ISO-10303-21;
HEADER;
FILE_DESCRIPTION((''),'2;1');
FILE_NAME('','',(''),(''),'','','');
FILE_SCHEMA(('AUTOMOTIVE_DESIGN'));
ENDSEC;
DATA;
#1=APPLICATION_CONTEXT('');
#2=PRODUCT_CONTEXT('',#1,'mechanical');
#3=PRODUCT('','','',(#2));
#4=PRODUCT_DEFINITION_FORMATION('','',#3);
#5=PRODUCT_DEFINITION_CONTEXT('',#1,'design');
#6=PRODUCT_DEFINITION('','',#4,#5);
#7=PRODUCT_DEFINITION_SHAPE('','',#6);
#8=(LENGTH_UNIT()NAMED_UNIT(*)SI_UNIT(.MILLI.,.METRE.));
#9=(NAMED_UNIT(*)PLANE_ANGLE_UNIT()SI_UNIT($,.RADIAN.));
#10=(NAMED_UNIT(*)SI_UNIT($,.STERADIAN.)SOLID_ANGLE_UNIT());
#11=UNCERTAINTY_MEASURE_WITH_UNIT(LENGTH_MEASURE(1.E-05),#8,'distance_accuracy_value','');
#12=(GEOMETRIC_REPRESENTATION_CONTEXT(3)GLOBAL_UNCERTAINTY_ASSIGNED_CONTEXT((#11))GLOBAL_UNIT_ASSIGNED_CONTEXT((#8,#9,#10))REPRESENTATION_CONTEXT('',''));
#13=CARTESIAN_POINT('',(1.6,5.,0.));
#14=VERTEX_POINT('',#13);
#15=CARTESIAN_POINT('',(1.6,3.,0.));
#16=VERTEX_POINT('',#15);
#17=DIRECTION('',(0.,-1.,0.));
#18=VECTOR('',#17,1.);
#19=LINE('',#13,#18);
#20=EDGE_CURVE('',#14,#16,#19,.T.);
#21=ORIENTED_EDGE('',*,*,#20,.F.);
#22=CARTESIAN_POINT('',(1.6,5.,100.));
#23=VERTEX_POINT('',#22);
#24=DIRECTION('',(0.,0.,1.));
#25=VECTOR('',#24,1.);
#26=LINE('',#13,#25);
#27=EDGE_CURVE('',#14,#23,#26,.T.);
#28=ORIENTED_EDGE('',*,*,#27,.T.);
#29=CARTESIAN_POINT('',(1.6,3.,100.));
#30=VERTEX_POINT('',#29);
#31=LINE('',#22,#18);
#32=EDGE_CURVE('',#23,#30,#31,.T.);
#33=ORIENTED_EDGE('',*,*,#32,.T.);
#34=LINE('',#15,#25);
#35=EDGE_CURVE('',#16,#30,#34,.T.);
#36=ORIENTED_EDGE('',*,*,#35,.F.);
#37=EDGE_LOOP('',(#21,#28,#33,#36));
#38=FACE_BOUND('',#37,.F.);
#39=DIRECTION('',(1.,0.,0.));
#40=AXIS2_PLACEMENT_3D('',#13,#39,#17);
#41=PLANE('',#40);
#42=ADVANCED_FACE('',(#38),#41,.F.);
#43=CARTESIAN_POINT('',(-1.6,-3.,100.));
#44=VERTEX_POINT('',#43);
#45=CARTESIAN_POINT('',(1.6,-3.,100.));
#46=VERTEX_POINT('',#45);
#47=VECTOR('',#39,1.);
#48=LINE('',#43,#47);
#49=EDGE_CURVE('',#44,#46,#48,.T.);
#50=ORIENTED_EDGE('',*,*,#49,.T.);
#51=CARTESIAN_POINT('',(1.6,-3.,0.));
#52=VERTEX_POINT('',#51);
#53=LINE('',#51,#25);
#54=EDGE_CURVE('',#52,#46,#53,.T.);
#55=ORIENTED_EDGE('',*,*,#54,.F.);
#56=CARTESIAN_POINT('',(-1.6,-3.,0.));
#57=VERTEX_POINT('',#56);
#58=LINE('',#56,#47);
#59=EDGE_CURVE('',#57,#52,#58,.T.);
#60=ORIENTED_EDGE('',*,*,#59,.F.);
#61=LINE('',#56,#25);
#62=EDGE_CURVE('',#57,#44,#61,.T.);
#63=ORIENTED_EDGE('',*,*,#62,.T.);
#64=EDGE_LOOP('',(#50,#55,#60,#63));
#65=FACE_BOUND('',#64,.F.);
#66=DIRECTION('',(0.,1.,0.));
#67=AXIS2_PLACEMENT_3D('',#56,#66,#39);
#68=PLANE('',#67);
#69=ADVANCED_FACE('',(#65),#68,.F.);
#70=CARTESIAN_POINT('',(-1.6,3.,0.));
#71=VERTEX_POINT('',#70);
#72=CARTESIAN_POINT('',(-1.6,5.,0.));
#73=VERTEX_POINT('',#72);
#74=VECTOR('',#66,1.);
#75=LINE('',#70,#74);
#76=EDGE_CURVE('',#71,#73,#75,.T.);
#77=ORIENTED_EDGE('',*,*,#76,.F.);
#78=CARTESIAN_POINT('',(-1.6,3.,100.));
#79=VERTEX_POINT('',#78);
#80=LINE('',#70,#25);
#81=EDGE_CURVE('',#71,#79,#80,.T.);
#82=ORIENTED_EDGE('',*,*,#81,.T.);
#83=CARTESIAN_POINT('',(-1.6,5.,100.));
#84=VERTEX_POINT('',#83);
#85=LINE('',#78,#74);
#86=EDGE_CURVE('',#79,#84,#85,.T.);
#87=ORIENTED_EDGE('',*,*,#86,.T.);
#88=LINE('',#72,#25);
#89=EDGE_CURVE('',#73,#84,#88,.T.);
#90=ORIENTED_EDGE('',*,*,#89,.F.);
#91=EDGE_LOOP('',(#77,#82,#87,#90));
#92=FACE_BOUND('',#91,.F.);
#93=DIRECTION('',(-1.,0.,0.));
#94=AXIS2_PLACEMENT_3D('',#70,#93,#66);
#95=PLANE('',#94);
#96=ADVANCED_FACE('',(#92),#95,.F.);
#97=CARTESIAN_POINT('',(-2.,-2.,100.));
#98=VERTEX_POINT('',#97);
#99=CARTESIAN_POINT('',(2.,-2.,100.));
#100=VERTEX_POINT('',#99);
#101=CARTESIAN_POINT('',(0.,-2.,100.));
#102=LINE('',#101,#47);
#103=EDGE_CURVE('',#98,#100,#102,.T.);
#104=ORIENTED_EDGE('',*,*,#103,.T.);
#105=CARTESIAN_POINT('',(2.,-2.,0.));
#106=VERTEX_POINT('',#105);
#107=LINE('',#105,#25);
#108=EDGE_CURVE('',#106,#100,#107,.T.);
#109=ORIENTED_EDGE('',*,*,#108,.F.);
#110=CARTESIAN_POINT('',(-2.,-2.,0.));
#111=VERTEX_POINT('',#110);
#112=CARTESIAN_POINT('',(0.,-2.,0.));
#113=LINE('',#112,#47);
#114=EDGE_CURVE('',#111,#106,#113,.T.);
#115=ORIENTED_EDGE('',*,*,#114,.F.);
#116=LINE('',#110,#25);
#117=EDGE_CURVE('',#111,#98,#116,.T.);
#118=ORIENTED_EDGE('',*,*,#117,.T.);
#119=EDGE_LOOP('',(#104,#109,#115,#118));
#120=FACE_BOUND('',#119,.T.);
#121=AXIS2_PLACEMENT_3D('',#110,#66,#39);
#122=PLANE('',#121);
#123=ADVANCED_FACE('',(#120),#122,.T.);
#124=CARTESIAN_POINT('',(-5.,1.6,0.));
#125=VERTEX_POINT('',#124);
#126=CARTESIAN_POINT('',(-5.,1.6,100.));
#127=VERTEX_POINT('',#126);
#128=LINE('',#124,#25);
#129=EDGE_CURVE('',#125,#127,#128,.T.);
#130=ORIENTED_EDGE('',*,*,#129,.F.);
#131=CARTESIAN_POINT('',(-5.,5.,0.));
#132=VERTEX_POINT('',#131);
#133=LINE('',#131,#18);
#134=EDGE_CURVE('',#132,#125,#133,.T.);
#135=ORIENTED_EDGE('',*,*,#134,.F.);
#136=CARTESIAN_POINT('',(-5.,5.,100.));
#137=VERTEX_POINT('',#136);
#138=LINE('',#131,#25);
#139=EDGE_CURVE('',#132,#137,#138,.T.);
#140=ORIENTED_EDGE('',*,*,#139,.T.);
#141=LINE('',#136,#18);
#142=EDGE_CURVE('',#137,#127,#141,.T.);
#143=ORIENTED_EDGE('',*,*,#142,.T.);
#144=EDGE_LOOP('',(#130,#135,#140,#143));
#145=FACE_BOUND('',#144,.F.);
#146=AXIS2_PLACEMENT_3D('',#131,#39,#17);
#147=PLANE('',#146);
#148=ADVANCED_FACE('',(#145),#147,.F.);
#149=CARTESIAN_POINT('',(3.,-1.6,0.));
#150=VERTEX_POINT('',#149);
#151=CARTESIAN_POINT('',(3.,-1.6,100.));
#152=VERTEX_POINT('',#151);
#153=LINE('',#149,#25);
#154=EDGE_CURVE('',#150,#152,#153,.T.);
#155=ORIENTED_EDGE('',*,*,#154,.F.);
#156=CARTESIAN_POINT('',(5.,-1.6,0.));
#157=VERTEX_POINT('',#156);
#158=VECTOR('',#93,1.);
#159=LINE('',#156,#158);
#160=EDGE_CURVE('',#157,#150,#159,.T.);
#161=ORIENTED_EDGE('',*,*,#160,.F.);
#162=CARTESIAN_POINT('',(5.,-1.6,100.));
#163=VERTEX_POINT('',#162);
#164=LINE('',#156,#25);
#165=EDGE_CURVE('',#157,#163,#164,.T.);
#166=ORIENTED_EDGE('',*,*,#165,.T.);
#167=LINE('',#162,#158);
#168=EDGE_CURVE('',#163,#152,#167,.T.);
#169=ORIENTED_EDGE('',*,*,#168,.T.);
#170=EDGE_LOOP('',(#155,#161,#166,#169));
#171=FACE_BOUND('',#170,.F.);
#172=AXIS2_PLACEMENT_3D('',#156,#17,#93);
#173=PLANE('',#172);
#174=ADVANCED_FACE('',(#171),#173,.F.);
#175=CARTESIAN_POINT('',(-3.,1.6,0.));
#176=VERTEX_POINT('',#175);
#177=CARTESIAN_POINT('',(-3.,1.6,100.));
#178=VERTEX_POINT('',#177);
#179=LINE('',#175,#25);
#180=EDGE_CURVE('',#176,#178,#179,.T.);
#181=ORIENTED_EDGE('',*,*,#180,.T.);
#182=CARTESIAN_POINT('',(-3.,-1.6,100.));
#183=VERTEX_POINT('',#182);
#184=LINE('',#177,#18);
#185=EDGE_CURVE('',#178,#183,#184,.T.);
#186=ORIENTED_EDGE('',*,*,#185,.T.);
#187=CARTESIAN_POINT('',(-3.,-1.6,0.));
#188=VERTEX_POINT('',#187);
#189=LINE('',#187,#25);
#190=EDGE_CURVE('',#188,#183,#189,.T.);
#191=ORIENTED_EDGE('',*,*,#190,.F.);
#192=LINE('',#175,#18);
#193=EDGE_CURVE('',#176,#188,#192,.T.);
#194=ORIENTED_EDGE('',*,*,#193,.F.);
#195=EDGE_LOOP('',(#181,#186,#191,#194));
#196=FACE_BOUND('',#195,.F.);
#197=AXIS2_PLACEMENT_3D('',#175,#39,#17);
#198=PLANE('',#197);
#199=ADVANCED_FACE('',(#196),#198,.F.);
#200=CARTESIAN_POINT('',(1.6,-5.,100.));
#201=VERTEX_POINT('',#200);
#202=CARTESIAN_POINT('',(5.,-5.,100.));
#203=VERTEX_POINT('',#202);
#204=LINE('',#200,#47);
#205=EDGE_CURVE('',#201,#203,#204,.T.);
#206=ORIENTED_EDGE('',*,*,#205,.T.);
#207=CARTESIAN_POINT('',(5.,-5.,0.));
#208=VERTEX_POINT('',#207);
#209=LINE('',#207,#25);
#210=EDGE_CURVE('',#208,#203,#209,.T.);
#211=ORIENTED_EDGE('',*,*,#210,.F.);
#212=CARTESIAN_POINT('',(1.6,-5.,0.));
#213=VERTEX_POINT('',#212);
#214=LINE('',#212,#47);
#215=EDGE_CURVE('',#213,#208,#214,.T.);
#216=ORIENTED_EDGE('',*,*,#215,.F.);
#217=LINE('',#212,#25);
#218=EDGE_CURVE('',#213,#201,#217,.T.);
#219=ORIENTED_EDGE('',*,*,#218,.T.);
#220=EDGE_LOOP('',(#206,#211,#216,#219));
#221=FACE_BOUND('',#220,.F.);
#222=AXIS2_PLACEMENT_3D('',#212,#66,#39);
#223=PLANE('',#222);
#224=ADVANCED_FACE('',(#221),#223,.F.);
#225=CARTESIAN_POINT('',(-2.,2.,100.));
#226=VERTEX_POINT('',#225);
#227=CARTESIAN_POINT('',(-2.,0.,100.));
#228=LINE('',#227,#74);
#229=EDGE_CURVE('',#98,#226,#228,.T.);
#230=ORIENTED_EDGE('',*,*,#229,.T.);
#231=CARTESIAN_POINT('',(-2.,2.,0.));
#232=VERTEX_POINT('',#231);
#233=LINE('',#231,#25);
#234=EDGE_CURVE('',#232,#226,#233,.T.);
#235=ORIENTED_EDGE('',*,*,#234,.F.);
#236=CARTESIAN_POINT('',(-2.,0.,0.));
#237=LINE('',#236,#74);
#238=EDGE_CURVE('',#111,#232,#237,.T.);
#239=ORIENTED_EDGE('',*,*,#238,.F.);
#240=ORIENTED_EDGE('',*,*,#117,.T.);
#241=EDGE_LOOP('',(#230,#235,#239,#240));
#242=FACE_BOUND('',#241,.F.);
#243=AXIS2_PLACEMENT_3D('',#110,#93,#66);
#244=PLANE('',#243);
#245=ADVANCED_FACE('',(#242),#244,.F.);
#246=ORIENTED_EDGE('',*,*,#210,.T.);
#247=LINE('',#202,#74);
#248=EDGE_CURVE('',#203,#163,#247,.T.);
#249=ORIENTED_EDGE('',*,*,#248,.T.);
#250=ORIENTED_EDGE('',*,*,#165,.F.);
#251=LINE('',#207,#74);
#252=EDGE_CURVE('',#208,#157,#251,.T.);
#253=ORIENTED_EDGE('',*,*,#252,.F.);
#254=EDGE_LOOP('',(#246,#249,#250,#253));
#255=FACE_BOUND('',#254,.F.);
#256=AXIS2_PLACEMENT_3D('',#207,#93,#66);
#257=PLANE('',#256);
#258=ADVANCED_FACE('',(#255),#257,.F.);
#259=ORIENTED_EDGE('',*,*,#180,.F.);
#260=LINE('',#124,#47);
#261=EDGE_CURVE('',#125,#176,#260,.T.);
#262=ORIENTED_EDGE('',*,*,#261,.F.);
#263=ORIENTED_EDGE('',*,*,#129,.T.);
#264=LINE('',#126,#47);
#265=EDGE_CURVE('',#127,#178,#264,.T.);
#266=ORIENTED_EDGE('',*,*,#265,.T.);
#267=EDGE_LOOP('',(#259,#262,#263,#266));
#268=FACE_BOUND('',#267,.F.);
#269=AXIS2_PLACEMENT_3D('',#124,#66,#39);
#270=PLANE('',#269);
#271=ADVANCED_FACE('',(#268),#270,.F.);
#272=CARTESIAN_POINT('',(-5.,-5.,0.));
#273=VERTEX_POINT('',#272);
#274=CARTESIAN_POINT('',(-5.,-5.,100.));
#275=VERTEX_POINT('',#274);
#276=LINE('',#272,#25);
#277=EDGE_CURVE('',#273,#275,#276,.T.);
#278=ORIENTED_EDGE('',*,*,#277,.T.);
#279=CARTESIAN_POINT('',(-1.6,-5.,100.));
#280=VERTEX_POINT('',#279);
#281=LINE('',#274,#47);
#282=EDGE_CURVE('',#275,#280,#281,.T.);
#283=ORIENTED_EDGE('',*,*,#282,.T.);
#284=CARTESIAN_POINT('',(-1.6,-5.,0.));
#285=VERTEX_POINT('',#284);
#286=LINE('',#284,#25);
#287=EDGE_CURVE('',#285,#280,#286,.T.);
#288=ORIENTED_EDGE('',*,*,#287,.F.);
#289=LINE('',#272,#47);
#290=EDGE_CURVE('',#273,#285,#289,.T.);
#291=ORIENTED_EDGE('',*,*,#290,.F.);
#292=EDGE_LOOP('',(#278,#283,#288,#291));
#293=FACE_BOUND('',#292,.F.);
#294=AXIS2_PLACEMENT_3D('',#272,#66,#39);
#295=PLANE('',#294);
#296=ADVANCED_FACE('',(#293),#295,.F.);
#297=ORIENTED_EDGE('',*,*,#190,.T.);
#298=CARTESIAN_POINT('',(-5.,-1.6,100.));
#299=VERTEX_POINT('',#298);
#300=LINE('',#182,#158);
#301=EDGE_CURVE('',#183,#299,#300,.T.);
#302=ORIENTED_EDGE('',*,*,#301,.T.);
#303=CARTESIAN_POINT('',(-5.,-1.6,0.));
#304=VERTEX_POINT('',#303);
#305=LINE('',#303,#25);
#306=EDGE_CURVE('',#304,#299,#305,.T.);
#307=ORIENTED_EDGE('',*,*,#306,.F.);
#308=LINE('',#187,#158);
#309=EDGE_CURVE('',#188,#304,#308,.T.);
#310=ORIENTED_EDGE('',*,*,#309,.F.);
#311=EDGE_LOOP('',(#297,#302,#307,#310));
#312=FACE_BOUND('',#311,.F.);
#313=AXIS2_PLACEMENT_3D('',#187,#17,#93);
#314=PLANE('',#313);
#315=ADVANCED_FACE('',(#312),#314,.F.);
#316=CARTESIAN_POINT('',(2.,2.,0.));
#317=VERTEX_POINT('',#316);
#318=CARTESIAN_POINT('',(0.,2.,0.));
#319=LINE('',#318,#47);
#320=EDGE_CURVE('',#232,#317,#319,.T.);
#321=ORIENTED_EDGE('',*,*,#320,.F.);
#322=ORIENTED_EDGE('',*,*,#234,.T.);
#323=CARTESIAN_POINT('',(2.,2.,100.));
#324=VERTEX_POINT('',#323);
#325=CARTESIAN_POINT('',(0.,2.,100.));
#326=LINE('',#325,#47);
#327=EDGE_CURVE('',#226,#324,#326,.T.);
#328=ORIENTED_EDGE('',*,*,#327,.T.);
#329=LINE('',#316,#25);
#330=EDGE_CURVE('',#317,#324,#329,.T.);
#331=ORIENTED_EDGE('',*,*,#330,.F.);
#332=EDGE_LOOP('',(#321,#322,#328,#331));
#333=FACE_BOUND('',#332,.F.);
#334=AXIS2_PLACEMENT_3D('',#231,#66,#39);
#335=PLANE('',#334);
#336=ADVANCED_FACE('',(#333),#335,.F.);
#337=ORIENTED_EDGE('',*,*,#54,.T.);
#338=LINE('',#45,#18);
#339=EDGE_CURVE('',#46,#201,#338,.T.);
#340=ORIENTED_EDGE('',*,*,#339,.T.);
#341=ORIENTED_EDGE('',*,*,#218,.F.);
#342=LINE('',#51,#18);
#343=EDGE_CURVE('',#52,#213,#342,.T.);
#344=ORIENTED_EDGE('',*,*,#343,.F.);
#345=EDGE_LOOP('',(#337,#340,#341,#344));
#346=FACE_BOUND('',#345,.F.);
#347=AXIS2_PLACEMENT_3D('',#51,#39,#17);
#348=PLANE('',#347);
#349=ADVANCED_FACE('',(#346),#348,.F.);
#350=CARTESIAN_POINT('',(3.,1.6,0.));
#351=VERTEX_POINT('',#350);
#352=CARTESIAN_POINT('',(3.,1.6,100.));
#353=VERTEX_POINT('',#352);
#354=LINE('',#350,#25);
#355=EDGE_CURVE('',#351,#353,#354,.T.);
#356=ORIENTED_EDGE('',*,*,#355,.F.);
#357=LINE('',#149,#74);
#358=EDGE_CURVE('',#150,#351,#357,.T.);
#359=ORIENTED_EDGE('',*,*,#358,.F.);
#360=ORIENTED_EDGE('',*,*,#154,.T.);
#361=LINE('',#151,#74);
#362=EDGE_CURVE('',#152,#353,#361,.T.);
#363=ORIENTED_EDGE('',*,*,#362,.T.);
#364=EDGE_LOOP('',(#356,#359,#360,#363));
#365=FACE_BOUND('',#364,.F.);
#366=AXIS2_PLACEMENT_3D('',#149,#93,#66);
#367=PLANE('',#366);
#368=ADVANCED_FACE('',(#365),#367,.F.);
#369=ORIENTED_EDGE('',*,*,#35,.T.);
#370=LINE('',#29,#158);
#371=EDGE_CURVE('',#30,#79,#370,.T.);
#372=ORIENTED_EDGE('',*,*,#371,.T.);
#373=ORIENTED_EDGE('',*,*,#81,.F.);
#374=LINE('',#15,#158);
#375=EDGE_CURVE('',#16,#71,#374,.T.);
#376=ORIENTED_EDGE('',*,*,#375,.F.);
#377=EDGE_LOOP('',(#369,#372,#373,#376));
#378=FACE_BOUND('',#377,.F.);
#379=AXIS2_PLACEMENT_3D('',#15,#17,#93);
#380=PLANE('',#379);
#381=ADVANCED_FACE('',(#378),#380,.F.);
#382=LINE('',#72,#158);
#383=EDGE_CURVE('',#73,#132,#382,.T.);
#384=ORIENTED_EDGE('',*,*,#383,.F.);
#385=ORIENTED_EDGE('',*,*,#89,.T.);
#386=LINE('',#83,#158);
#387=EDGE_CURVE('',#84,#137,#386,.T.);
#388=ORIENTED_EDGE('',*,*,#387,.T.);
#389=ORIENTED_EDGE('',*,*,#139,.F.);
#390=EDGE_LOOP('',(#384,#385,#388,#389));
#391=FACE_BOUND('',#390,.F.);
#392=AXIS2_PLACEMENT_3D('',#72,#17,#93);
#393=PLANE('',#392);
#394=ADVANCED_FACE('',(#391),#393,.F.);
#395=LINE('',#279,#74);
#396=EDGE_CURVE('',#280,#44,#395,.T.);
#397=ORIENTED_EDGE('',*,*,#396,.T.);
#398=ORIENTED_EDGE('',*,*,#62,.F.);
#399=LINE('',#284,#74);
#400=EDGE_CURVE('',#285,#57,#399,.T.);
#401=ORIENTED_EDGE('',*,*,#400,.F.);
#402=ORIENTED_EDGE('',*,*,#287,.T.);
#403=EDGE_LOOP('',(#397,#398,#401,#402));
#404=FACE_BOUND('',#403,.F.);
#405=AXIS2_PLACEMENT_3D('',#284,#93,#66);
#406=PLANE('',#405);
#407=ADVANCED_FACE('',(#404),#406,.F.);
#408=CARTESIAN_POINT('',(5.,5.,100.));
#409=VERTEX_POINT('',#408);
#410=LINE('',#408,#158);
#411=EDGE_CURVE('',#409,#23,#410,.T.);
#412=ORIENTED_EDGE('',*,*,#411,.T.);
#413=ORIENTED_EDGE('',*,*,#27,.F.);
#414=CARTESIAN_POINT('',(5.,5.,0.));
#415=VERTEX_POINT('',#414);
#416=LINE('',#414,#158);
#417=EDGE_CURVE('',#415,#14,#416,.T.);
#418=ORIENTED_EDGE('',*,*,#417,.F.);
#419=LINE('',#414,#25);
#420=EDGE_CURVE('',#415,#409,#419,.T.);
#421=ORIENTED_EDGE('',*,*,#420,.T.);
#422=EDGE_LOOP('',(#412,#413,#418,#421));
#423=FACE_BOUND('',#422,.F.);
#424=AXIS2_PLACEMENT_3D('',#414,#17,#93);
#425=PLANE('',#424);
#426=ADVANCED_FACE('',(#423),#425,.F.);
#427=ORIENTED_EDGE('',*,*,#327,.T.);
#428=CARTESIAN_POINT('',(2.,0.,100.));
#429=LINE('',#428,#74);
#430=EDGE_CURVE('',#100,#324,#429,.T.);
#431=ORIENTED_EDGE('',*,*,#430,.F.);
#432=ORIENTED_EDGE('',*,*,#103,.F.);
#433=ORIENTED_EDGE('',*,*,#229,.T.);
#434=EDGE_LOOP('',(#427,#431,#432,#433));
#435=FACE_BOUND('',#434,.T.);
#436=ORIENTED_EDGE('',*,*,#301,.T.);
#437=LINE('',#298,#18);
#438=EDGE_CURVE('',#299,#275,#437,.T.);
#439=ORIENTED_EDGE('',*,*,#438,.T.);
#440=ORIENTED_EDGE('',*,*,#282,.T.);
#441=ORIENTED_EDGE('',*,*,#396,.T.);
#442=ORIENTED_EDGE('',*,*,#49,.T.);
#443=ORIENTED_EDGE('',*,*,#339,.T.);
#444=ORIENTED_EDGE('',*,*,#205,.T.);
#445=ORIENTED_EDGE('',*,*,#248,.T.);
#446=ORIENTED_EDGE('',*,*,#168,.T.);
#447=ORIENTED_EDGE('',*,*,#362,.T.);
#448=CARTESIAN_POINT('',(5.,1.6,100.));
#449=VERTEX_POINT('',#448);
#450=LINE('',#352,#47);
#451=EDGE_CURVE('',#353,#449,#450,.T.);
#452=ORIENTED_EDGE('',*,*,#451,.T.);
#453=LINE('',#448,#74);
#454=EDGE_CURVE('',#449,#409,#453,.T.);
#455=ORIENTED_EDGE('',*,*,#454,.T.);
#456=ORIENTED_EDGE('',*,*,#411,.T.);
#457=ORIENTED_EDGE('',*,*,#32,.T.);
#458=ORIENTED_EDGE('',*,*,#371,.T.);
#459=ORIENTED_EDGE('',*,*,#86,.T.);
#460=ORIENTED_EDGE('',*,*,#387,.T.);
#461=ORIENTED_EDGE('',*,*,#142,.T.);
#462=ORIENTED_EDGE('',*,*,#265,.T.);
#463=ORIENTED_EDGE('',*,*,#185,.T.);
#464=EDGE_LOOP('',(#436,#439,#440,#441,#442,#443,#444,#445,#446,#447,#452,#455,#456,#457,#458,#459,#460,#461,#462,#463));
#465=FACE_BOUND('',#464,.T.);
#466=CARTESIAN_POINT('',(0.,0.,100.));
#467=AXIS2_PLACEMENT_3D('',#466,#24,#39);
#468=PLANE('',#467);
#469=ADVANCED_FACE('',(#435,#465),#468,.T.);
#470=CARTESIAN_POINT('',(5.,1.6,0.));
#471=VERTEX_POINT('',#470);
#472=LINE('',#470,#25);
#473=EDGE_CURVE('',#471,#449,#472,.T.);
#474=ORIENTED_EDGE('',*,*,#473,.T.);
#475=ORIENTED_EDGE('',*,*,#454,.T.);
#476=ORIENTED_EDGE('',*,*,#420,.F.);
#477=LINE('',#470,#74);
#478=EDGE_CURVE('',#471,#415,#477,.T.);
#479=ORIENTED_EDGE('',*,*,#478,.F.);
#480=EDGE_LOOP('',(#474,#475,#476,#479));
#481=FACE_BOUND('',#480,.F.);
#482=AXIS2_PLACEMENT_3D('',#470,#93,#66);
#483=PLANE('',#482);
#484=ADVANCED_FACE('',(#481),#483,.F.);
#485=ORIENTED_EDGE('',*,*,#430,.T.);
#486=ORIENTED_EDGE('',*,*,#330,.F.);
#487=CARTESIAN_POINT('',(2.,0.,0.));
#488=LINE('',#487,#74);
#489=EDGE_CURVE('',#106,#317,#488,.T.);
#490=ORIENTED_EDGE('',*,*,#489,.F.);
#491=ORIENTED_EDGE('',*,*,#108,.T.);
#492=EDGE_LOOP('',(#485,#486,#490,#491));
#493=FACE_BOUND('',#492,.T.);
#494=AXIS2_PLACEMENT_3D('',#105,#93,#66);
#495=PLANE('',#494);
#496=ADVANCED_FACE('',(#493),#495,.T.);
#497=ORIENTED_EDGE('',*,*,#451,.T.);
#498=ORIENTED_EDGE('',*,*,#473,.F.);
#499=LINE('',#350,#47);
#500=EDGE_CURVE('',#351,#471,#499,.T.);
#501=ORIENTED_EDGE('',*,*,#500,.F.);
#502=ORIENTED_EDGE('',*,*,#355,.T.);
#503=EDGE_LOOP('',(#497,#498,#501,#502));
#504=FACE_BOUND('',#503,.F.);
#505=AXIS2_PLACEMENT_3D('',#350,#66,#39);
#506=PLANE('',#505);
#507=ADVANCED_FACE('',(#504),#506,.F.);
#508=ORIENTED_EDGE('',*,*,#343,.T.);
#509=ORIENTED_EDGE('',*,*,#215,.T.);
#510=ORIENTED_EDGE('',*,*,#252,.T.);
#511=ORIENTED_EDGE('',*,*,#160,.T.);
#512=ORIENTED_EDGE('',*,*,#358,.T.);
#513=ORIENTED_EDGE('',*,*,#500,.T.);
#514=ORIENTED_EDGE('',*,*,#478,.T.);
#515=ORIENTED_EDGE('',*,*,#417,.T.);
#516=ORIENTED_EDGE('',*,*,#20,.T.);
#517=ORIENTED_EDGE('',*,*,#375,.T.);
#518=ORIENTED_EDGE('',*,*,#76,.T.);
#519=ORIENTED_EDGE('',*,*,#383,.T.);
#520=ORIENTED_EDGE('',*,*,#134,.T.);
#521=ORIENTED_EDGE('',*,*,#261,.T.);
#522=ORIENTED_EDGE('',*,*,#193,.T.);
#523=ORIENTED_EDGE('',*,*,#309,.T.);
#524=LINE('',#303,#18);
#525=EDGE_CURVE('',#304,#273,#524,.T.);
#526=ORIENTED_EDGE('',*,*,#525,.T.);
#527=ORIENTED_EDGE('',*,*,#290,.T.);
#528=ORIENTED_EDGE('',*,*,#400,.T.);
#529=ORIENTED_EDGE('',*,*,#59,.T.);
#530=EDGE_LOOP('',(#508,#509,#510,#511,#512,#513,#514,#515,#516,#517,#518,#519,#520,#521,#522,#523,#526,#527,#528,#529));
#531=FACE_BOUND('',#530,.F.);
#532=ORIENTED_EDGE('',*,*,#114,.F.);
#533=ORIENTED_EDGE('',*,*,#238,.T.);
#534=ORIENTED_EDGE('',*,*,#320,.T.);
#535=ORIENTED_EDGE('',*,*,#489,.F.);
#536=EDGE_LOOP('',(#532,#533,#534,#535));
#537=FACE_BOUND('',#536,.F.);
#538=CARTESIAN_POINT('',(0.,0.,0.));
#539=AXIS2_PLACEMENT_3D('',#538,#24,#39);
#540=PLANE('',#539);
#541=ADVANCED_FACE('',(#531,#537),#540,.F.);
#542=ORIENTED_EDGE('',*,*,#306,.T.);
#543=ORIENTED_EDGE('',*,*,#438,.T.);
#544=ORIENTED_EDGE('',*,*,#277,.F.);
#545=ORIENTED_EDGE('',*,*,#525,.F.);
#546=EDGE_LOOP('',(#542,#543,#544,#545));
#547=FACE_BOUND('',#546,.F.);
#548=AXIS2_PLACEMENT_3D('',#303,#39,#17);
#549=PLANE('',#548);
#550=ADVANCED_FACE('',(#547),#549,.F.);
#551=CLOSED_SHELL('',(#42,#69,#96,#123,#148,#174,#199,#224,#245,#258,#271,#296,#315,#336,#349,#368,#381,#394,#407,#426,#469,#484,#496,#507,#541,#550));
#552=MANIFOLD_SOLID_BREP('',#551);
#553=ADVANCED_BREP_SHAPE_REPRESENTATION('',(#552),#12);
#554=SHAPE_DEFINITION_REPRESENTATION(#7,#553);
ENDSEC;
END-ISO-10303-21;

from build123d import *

# Parameters (mm, degrees)
F0_W     = 4
F0_H     = 4
F1_DEPTH = 100


with BuildPart() as f1:
    # F0 (on Top) → F1 (new body)
    with BuildSketch(Plane.XY):
        Polygon((5, 1.6), (5, 5), (1.6, 5), (1.6, 3), (-1.6, 3), (-1.6, 5), (-5, 5), (-5, 1.6), (-3, 1.6), (-3, -1.6), (-5, -1.6), (-5, -5), (-1.6, -5), (-1.6, -3), (1.6, -3), (1.6, -5), (5, -5), (5, -1.6), (3, -1.6), (3, 1.6), align=None)
        Rectangle(F0_W, F0_H, mode=Mode.SUBTRACT)
    extrude(amount=F1_DEPTH)


solid = f1.part
